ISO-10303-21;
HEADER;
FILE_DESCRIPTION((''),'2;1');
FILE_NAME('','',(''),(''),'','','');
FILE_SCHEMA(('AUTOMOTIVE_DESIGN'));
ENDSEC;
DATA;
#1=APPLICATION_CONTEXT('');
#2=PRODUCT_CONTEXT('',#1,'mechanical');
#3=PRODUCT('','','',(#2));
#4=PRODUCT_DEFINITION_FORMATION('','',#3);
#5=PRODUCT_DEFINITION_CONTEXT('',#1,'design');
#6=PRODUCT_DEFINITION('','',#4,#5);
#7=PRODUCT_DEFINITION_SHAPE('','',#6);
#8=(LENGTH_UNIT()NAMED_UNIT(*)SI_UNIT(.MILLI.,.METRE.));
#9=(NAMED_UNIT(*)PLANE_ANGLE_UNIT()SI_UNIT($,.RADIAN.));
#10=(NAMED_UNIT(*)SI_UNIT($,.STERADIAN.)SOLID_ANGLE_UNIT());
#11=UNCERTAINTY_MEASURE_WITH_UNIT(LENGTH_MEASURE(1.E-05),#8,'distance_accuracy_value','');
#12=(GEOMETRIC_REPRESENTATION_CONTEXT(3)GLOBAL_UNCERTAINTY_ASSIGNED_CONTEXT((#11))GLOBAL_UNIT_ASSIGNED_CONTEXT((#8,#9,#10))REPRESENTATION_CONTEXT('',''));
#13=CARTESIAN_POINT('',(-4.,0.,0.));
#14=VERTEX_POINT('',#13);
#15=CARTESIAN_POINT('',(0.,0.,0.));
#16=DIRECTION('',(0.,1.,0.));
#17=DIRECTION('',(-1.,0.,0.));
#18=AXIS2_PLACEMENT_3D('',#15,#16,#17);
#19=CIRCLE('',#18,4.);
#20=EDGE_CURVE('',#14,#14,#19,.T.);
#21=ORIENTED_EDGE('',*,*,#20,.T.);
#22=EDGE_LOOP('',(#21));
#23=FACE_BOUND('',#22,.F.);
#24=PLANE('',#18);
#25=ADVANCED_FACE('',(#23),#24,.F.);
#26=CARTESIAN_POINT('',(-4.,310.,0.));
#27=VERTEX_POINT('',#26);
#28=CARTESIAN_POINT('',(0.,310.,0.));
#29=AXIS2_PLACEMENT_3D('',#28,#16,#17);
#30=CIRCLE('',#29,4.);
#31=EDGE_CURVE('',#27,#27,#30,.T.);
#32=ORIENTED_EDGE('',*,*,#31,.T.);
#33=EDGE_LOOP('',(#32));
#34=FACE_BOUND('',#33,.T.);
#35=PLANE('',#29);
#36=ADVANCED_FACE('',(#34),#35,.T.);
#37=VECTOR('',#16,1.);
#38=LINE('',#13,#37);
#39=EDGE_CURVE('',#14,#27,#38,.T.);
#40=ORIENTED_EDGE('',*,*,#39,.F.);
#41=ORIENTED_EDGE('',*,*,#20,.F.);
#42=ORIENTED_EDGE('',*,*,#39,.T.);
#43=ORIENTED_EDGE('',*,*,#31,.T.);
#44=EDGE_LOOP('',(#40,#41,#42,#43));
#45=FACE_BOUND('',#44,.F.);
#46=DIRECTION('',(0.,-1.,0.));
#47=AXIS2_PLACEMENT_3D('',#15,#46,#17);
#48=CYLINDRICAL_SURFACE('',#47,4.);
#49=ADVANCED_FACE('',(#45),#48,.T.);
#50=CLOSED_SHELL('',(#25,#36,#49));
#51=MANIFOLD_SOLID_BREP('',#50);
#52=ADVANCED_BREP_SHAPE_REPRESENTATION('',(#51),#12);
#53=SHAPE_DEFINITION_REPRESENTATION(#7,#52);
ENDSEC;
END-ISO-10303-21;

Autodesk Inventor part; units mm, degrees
ref_plane "YZ Plane" through (0, 0, 0) normal (1, 0, 0) x (0, 1, 0)
ref_plane "XZ Plane" through (0, 0, 0) normal (0, 1, 0) x (-1, 0, 0)
ref_plane "XY Plane" through (0, 0, 0) normal (0, 0, 1) x (1, 0, 0)
sketch "Sketch1" plane through (0, 0, 0) normal (0, 1, 0) x (-1, 0, 0)
  circle A0 centre (0, 0) radius 4
  dimension "d0" = 8
extrude "Extrusion1" add sketch "Sketch1" along normal blind 310
properties part number "Shaft8x310" material "Steel, Alloy"
